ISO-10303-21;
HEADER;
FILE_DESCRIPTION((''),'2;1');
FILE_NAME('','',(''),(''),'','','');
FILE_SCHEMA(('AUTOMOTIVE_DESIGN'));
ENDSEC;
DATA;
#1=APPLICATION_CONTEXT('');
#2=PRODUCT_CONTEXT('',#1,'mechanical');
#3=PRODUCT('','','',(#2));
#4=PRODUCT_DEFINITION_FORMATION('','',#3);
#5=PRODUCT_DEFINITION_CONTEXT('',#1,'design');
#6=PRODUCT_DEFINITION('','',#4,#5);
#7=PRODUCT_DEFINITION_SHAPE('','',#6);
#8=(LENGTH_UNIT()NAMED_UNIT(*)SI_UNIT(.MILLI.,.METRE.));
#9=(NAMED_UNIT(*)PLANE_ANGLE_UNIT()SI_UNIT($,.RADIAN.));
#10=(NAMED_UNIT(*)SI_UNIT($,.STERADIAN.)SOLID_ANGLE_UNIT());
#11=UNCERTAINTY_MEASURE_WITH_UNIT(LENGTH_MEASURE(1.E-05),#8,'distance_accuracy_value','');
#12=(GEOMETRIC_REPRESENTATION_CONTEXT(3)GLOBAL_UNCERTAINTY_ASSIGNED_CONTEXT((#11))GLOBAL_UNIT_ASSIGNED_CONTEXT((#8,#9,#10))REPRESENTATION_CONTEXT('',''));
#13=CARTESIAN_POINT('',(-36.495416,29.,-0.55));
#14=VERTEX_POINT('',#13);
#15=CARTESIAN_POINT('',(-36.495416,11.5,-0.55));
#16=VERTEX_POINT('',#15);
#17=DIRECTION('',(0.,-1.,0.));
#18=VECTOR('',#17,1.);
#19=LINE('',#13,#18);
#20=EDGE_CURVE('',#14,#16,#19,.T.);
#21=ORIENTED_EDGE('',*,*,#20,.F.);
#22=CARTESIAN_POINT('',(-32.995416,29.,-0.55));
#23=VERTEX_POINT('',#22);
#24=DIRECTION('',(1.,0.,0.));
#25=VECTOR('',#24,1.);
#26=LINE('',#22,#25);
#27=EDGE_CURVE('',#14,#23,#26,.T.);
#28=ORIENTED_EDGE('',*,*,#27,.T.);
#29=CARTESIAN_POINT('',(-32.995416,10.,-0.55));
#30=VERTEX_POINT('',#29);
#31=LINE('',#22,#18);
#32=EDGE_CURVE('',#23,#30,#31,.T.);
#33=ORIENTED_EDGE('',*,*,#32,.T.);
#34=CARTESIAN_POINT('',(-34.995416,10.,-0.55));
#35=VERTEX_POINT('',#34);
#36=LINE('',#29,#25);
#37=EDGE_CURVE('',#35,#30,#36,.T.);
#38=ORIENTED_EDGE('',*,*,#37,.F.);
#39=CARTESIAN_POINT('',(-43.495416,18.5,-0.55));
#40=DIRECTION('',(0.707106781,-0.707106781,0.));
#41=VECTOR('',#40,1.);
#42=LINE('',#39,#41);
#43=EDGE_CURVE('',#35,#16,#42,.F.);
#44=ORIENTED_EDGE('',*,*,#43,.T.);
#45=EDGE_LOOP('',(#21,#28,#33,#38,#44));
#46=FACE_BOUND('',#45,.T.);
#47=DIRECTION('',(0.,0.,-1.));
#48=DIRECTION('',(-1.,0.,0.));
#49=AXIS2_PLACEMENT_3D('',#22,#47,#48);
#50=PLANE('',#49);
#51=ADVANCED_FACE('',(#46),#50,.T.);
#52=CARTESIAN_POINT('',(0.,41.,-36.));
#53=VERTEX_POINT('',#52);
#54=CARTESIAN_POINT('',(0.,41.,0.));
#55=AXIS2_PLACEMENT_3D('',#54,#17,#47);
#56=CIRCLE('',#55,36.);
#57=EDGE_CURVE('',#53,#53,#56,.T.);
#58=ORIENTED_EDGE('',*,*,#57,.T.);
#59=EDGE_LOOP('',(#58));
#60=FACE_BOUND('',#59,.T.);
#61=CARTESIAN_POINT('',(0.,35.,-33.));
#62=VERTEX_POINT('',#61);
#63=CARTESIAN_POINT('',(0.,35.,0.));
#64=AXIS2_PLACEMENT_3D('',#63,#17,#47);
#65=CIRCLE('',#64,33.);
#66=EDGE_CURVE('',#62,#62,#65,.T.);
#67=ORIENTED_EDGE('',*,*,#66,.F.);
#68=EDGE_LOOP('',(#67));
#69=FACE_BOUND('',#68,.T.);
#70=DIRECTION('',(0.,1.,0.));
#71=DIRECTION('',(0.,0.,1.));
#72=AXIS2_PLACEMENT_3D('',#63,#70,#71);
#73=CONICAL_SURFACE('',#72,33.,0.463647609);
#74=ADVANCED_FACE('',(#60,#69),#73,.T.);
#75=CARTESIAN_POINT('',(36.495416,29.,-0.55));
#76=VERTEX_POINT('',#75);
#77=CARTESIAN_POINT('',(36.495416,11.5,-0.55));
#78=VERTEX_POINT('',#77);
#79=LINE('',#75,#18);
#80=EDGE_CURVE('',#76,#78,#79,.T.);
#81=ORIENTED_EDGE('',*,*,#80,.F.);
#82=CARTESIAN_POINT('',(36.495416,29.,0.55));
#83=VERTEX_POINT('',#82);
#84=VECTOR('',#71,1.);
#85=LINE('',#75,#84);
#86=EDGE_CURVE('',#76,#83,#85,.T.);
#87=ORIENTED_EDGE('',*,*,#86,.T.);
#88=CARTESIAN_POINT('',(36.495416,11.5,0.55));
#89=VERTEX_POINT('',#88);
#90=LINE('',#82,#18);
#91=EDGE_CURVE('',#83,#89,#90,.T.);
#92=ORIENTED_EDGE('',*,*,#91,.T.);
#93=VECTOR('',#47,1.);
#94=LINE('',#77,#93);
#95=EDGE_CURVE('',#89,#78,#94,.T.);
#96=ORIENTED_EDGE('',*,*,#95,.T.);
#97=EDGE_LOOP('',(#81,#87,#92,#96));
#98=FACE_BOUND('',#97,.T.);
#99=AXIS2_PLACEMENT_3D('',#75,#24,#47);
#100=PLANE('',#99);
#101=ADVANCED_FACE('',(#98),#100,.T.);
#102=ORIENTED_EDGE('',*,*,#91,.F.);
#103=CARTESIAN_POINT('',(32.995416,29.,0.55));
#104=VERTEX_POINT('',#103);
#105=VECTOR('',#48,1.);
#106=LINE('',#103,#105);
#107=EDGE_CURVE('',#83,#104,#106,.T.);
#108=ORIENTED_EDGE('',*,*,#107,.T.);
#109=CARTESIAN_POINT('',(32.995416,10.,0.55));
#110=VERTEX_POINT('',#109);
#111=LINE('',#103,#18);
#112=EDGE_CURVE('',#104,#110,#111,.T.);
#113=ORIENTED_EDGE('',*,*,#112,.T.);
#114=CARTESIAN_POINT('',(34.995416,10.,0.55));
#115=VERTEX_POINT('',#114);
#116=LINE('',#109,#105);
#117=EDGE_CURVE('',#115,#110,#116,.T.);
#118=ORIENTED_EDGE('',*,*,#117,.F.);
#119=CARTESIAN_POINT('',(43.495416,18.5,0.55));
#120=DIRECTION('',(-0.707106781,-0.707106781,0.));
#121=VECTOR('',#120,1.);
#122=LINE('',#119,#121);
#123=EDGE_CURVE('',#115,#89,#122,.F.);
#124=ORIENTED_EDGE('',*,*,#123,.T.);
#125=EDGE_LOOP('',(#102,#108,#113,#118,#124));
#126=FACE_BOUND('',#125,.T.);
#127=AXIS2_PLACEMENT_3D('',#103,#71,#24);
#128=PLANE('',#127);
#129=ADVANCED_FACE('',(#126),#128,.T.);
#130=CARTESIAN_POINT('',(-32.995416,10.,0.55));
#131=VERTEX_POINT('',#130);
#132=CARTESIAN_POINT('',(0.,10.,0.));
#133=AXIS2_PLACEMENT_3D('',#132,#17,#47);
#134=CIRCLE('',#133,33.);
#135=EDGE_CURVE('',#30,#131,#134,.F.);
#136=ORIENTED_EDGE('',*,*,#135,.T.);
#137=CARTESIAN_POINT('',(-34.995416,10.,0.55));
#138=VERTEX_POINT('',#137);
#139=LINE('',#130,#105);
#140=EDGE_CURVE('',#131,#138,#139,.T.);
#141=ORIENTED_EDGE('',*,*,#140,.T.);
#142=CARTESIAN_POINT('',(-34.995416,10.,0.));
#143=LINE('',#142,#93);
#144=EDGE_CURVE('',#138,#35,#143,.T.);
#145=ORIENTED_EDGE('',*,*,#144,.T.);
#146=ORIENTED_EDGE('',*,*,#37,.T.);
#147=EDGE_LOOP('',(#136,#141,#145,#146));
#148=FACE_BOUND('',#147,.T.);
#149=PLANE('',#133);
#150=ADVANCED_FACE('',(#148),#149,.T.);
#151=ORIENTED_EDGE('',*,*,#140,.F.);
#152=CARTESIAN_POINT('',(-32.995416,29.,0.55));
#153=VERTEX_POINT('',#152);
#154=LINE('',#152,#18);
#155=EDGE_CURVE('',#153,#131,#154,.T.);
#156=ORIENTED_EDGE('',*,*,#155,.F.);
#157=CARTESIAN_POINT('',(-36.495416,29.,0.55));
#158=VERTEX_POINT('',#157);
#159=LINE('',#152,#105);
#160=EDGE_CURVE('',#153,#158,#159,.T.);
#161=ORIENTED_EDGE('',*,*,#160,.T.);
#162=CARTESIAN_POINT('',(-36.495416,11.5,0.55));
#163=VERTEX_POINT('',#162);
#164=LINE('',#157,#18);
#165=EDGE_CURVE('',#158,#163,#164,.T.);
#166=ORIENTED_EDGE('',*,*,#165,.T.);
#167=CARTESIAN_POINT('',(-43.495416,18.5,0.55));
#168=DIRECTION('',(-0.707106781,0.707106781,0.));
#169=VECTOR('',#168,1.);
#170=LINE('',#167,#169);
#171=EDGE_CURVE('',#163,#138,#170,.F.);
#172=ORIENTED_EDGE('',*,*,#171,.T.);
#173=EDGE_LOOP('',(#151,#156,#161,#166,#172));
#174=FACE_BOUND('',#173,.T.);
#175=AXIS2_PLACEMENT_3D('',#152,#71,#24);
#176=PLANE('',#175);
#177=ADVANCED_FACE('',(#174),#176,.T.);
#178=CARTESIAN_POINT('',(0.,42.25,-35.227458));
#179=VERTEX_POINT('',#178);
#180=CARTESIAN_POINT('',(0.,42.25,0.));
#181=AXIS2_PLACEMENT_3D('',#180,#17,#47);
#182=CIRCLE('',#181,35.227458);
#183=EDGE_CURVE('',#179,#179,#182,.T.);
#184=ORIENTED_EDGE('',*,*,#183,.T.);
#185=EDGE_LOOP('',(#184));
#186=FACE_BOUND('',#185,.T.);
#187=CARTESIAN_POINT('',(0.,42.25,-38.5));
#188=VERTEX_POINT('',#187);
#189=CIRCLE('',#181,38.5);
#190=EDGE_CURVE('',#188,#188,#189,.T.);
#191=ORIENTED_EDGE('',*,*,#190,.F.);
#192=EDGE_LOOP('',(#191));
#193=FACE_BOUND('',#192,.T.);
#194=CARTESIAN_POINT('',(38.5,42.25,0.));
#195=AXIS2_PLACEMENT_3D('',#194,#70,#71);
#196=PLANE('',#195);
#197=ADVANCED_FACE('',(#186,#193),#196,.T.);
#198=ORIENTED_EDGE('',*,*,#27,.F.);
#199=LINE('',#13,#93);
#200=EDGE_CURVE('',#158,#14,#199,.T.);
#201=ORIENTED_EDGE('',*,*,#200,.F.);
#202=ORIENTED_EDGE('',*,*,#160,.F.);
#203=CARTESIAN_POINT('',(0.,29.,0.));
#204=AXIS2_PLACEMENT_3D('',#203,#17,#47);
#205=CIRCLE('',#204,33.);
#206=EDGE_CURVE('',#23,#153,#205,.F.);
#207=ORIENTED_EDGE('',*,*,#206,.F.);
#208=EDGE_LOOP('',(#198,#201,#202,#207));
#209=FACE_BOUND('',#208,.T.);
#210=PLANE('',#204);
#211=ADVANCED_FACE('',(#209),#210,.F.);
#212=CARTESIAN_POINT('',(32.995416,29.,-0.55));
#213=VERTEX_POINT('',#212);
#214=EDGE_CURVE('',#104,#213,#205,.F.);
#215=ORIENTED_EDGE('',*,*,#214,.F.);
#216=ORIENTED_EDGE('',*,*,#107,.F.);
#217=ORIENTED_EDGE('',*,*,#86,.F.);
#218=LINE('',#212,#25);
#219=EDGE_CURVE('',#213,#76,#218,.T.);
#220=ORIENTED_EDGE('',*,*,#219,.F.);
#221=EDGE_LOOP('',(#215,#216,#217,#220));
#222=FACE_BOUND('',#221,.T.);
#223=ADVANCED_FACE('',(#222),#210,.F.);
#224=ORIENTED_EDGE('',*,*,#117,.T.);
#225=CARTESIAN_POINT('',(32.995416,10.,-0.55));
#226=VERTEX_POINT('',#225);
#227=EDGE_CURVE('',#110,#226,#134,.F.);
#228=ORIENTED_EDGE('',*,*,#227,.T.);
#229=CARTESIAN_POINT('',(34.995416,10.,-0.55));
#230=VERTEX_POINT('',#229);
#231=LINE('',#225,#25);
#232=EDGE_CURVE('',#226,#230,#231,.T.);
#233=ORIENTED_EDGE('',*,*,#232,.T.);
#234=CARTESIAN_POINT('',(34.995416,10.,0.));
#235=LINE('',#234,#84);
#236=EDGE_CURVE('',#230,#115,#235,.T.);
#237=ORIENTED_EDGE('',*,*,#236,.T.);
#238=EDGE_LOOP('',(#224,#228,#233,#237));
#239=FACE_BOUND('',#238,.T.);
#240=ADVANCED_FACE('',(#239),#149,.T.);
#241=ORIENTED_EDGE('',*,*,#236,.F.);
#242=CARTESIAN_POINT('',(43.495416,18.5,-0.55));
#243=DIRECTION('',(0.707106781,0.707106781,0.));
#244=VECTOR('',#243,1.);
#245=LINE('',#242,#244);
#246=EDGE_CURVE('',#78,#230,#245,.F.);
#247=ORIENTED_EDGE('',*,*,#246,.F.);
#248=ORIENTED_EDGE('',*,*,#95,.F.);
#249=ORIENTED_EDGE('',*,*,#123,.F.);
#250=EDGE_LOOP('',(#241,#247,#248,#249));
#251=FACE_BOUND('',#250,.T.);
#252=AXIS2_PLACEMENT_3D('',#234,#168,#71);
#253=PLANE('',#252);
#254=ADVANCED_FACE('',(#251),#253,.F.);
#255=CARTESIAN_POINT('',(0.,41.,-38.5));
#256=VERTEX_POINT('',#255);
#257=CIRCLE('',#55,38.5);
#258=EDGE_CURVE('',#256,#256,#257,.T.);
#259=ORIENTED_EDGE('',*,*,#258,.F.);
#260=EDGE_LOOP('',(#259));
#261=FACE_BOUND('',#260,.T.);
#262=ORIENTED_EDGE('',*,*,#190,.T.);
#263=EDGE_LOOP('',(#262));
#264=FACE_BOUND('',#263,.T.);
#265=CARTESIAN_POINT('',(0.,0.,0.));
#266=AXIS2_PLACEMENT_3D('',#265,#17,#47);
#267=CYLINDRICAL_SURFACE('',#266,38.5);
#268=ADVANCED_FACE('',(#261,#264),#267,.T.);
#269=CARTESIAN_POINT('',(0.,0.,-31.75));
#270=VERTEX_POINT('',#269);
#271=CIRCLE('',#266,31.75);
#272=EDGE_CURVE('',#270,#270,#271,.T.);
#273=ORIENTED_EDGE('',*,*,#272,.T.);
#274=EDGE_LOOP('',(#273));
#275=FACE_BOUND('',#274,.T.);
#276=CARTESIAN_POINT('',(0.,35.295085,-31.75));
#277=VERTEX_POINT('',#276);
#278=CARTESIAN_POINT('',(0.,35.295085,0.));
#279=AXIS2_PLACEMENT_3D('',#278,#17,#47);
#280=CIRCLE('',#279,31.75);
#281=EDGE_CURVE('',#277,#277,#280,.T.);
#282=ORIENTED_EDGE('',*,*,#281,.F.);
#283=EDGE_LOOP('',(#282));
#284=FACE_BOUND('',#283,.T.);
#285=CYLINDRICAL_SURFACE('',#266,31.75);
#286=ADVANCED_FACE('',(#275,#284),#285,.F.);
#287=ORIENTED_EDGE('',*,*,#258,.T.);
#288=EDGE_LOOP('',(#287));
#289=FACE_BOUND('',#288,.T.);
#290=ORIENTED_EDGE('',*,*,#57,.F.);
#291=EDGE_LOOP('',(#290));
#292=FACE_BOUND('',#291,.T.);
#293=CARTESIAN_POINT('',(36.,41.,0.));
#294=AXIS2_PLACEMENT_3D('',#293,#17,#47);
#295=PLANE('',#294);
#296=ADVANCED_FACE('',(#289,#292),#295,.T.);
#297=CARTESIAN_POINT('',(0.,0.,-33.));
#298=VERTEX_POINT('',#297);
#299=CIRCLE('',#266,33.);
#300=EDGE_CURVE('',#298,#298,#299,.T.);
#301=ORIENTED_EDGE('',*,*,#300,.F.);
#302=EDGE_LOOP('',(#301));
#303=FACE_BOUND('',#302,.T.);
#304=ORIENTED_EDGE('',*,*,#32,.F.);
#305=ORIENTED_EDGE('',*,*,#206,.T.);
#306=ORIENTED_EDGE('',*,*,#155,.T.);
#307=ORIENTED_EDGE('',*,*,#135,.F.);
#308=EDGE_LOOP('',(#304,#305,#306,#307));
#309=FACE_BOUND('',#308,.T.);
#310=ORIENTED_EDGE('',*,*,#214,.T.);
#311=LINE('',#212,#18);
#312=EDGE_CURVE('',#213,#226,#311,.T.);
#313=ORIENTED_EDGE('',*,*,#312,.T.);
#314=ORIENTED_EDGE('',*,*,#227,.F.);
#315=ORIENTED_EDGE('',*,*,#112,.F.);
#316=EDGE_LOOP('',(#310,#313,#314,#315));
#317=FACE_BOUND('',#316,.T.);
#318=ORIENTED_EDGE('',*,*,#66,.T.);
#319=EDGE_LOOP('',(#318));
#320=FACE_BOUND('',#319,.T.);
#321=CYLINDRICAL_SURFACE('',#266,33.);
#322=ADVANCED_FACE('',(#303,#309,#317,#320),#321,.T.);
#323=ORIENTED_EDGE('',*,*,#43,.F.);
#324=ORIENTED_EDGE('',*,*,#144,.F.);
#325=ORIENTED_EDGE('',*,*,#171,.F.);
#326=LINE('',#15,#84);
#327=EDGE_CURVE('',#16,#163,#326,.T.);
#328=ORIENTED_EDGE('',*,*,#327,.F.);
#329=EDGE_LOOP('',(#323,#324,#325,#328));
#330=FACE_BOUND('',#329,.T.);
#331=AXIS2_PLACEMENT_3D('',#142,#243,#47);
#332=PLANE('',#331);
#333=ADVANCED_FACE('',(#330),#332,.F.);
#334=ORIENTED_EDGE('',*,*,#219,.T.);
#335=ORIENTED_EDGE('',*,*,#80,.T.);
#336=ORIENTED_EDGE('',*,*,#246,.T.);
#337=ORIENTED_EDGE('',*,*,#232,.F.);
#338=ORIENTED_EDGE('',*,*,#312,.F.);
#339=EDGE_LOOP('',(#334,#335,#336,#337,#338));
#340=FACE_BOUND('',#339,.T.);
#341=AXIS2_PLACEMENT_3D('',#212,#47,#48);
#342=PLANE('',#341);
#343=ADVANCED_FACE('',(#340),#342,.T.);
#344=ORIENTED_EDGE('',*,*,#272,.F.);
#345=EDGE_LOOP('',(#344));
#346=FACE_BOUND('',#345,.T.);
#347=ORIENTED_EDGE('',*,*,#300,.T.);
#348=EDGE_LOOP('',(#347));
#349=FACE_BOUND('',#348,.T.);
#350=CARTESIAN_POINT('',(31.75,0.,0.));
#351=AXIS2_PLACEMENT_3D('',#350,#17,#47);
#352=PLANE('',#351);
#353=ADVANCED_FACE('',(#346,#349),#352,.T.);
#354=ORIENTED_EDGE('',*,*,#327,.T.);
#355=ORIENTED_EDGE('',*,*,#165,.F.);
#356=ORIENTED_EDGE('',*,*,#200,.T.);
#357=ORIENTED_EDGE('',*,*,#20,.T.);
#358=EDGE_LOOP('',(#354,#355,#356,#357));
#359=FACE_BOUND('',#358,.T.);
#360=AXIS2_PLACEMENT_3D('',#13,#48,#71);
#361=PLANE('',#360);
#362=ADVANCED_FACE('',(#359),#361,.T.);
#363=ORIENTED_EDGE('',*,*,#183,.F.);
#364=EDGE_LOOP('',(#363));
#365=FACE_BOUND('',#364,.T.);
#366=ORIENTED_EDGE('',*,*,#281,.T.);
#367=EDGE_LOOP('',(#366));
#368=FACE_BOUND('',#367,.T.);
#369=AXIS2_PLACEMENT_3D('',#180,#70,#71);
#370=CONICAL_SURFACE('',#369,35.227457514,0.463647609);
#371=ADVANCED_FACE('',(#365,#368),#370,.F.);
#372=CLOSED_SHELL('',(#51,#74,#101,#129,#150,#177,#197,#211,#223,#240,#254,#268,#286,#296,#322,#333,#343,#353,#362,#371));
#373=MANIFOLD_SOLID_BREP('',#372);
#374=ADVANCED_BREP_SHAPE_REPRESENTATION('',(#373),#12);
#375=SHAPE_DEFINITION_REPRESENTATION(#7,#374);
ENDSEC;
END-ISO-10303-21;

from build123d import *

# Parameters (mm, degrees)
BOSS_EXTRU_1_START = -10
BOSS_EXTRU_1_DEPTH = 19
CHANFREIN1_SIZE    = 1.5


with BuildPart() as part:
    # Esquisse1 → Révolution1 (revolve)
    with BuildSketch(Plane.XY, mode=Mode.PRIVATE) as r_volution1_sk:
        Polygon((33, 0), (33, 35), (36, 41), (38.5, 41), (38.5, 42.25), (35.227457514, 42.25), (31.75, 35.295084972), (31.75, 0), align=None)
    revolve(r_volution1_sk.sketch.rotate(Axis((0, 0, 0), (0, 1, 0)), 90), axis=Axis((0, 0, 0), (0, 1, 0)))

    # Esquisse2 → Boss.-Extru.1 (add)
    with BuildSketch(Plane.XZ.offset(BOSS_EXTRU_1_START)):
        Polygon((-32.995416348, 0.55), (-36.495416348, 0.55), (-36.495416348, -0.55), (-32.995416348, -0.55), (-32.495416348, 0), align=None)
        Polygon((32.995416348, -0.55), (36.495416348, -0.55), (36.495416348, 0.55), (32.995416348, 0.55), (32.495416348, 0), align=None)
    extrude(amount=-BOSS_EXTRU_1_DEPTH)

    # Chanfrein1
    chanfrein1_edges = [part.edges().sort_by_distance(p)[0] for p in [
        (-36.495416348, 10, 0),
        (36.495416348, 10, 0),
    ]]
    chamfer(chanfrein1_edges, length=CHANFREIN1_SIZE)


solid = part.part
